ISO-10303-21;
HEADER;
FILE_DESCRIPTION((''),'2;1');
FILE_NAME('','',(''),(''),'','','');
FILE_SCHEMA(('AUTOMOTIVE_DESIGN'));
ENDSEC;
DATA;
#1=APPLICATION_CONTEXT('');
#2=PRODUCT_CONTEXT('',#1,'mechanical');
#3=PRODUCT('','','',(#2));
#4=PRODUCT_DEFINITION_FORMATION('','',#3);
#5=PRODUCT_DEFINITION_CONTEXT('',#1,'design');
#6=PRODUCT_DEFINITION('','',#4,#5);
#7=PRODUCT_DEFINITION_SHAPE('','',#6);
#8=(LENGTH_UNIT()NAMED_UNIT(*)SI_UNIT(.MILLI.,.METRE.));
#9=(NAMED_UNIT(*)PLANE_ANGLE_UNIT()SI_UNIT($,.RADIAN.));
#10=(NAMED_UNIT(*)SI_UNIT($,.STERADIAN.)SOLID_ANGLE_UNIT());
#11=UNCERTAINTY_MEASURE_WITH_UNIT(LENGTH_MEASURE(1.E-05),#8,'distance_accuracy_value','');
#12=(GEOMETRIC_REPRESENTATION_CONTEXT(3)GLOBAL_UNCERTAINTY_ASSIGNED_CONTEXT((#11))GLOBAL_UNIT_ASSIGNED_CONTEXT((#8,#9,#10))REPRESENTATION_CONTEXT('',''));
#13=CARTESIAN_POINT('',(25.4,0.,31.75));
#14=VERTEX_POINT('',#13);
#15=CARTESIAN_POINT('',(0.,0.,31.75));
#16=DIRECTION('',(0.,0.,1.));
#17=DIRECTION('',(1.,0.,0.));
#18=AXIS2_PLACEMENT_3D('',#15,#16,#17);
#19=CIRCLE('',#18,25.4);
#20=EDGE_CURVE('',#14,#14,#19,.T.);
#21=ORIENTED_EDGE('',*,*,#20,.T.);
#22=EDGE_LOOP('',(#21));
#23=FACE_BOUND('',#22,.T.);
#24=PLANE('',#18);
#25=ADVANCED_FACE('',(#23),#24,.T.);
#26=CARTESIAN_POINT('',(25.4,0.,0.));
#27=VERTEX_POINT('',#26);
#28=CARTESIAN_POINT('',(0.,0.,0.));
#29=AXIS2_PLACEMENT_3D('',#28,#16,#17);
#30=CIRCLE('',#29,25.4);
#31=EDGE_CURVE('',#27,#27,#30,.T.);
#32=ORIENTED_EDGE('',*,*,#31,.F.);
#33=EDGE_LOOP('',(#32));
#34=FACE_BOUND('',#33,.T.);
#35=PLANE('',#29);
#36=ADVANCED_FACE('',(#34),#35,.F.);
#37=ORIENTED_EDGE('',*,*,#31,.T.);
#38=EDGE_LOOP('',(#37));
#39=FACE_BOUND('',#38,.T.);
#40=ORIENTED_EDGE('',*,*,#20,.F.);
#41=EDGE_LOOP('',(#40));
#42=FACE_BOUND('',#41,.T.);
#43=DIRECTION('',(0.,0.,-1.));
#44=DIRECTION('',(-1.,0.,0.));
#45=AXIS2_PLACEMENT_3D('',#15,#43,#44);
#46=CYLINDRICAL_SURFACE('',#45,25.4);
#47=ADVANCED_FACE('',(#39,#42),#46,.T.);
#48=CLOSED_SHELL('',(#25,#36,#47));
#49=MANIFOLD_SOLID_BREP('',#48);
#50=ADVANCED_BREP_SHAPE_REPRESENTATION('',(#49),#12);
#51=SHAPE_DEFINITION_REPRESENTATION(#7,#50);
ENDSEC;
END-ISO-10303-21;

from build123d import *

# Parameters (mm, degrees)
SKETCH1_R           = 25.4
BOSS_EXTRUDE1_DEPTH = 31.75


with BuildPart() as part:
    # Sketch1 → Boss-Extrude1 (new body)
    with BuildSketch(Plane.XY):
        Circle(SKETCH1_R)
    extrude(amount=BOSS_EXTRUDE1_DEPTH)


solid = part.part
